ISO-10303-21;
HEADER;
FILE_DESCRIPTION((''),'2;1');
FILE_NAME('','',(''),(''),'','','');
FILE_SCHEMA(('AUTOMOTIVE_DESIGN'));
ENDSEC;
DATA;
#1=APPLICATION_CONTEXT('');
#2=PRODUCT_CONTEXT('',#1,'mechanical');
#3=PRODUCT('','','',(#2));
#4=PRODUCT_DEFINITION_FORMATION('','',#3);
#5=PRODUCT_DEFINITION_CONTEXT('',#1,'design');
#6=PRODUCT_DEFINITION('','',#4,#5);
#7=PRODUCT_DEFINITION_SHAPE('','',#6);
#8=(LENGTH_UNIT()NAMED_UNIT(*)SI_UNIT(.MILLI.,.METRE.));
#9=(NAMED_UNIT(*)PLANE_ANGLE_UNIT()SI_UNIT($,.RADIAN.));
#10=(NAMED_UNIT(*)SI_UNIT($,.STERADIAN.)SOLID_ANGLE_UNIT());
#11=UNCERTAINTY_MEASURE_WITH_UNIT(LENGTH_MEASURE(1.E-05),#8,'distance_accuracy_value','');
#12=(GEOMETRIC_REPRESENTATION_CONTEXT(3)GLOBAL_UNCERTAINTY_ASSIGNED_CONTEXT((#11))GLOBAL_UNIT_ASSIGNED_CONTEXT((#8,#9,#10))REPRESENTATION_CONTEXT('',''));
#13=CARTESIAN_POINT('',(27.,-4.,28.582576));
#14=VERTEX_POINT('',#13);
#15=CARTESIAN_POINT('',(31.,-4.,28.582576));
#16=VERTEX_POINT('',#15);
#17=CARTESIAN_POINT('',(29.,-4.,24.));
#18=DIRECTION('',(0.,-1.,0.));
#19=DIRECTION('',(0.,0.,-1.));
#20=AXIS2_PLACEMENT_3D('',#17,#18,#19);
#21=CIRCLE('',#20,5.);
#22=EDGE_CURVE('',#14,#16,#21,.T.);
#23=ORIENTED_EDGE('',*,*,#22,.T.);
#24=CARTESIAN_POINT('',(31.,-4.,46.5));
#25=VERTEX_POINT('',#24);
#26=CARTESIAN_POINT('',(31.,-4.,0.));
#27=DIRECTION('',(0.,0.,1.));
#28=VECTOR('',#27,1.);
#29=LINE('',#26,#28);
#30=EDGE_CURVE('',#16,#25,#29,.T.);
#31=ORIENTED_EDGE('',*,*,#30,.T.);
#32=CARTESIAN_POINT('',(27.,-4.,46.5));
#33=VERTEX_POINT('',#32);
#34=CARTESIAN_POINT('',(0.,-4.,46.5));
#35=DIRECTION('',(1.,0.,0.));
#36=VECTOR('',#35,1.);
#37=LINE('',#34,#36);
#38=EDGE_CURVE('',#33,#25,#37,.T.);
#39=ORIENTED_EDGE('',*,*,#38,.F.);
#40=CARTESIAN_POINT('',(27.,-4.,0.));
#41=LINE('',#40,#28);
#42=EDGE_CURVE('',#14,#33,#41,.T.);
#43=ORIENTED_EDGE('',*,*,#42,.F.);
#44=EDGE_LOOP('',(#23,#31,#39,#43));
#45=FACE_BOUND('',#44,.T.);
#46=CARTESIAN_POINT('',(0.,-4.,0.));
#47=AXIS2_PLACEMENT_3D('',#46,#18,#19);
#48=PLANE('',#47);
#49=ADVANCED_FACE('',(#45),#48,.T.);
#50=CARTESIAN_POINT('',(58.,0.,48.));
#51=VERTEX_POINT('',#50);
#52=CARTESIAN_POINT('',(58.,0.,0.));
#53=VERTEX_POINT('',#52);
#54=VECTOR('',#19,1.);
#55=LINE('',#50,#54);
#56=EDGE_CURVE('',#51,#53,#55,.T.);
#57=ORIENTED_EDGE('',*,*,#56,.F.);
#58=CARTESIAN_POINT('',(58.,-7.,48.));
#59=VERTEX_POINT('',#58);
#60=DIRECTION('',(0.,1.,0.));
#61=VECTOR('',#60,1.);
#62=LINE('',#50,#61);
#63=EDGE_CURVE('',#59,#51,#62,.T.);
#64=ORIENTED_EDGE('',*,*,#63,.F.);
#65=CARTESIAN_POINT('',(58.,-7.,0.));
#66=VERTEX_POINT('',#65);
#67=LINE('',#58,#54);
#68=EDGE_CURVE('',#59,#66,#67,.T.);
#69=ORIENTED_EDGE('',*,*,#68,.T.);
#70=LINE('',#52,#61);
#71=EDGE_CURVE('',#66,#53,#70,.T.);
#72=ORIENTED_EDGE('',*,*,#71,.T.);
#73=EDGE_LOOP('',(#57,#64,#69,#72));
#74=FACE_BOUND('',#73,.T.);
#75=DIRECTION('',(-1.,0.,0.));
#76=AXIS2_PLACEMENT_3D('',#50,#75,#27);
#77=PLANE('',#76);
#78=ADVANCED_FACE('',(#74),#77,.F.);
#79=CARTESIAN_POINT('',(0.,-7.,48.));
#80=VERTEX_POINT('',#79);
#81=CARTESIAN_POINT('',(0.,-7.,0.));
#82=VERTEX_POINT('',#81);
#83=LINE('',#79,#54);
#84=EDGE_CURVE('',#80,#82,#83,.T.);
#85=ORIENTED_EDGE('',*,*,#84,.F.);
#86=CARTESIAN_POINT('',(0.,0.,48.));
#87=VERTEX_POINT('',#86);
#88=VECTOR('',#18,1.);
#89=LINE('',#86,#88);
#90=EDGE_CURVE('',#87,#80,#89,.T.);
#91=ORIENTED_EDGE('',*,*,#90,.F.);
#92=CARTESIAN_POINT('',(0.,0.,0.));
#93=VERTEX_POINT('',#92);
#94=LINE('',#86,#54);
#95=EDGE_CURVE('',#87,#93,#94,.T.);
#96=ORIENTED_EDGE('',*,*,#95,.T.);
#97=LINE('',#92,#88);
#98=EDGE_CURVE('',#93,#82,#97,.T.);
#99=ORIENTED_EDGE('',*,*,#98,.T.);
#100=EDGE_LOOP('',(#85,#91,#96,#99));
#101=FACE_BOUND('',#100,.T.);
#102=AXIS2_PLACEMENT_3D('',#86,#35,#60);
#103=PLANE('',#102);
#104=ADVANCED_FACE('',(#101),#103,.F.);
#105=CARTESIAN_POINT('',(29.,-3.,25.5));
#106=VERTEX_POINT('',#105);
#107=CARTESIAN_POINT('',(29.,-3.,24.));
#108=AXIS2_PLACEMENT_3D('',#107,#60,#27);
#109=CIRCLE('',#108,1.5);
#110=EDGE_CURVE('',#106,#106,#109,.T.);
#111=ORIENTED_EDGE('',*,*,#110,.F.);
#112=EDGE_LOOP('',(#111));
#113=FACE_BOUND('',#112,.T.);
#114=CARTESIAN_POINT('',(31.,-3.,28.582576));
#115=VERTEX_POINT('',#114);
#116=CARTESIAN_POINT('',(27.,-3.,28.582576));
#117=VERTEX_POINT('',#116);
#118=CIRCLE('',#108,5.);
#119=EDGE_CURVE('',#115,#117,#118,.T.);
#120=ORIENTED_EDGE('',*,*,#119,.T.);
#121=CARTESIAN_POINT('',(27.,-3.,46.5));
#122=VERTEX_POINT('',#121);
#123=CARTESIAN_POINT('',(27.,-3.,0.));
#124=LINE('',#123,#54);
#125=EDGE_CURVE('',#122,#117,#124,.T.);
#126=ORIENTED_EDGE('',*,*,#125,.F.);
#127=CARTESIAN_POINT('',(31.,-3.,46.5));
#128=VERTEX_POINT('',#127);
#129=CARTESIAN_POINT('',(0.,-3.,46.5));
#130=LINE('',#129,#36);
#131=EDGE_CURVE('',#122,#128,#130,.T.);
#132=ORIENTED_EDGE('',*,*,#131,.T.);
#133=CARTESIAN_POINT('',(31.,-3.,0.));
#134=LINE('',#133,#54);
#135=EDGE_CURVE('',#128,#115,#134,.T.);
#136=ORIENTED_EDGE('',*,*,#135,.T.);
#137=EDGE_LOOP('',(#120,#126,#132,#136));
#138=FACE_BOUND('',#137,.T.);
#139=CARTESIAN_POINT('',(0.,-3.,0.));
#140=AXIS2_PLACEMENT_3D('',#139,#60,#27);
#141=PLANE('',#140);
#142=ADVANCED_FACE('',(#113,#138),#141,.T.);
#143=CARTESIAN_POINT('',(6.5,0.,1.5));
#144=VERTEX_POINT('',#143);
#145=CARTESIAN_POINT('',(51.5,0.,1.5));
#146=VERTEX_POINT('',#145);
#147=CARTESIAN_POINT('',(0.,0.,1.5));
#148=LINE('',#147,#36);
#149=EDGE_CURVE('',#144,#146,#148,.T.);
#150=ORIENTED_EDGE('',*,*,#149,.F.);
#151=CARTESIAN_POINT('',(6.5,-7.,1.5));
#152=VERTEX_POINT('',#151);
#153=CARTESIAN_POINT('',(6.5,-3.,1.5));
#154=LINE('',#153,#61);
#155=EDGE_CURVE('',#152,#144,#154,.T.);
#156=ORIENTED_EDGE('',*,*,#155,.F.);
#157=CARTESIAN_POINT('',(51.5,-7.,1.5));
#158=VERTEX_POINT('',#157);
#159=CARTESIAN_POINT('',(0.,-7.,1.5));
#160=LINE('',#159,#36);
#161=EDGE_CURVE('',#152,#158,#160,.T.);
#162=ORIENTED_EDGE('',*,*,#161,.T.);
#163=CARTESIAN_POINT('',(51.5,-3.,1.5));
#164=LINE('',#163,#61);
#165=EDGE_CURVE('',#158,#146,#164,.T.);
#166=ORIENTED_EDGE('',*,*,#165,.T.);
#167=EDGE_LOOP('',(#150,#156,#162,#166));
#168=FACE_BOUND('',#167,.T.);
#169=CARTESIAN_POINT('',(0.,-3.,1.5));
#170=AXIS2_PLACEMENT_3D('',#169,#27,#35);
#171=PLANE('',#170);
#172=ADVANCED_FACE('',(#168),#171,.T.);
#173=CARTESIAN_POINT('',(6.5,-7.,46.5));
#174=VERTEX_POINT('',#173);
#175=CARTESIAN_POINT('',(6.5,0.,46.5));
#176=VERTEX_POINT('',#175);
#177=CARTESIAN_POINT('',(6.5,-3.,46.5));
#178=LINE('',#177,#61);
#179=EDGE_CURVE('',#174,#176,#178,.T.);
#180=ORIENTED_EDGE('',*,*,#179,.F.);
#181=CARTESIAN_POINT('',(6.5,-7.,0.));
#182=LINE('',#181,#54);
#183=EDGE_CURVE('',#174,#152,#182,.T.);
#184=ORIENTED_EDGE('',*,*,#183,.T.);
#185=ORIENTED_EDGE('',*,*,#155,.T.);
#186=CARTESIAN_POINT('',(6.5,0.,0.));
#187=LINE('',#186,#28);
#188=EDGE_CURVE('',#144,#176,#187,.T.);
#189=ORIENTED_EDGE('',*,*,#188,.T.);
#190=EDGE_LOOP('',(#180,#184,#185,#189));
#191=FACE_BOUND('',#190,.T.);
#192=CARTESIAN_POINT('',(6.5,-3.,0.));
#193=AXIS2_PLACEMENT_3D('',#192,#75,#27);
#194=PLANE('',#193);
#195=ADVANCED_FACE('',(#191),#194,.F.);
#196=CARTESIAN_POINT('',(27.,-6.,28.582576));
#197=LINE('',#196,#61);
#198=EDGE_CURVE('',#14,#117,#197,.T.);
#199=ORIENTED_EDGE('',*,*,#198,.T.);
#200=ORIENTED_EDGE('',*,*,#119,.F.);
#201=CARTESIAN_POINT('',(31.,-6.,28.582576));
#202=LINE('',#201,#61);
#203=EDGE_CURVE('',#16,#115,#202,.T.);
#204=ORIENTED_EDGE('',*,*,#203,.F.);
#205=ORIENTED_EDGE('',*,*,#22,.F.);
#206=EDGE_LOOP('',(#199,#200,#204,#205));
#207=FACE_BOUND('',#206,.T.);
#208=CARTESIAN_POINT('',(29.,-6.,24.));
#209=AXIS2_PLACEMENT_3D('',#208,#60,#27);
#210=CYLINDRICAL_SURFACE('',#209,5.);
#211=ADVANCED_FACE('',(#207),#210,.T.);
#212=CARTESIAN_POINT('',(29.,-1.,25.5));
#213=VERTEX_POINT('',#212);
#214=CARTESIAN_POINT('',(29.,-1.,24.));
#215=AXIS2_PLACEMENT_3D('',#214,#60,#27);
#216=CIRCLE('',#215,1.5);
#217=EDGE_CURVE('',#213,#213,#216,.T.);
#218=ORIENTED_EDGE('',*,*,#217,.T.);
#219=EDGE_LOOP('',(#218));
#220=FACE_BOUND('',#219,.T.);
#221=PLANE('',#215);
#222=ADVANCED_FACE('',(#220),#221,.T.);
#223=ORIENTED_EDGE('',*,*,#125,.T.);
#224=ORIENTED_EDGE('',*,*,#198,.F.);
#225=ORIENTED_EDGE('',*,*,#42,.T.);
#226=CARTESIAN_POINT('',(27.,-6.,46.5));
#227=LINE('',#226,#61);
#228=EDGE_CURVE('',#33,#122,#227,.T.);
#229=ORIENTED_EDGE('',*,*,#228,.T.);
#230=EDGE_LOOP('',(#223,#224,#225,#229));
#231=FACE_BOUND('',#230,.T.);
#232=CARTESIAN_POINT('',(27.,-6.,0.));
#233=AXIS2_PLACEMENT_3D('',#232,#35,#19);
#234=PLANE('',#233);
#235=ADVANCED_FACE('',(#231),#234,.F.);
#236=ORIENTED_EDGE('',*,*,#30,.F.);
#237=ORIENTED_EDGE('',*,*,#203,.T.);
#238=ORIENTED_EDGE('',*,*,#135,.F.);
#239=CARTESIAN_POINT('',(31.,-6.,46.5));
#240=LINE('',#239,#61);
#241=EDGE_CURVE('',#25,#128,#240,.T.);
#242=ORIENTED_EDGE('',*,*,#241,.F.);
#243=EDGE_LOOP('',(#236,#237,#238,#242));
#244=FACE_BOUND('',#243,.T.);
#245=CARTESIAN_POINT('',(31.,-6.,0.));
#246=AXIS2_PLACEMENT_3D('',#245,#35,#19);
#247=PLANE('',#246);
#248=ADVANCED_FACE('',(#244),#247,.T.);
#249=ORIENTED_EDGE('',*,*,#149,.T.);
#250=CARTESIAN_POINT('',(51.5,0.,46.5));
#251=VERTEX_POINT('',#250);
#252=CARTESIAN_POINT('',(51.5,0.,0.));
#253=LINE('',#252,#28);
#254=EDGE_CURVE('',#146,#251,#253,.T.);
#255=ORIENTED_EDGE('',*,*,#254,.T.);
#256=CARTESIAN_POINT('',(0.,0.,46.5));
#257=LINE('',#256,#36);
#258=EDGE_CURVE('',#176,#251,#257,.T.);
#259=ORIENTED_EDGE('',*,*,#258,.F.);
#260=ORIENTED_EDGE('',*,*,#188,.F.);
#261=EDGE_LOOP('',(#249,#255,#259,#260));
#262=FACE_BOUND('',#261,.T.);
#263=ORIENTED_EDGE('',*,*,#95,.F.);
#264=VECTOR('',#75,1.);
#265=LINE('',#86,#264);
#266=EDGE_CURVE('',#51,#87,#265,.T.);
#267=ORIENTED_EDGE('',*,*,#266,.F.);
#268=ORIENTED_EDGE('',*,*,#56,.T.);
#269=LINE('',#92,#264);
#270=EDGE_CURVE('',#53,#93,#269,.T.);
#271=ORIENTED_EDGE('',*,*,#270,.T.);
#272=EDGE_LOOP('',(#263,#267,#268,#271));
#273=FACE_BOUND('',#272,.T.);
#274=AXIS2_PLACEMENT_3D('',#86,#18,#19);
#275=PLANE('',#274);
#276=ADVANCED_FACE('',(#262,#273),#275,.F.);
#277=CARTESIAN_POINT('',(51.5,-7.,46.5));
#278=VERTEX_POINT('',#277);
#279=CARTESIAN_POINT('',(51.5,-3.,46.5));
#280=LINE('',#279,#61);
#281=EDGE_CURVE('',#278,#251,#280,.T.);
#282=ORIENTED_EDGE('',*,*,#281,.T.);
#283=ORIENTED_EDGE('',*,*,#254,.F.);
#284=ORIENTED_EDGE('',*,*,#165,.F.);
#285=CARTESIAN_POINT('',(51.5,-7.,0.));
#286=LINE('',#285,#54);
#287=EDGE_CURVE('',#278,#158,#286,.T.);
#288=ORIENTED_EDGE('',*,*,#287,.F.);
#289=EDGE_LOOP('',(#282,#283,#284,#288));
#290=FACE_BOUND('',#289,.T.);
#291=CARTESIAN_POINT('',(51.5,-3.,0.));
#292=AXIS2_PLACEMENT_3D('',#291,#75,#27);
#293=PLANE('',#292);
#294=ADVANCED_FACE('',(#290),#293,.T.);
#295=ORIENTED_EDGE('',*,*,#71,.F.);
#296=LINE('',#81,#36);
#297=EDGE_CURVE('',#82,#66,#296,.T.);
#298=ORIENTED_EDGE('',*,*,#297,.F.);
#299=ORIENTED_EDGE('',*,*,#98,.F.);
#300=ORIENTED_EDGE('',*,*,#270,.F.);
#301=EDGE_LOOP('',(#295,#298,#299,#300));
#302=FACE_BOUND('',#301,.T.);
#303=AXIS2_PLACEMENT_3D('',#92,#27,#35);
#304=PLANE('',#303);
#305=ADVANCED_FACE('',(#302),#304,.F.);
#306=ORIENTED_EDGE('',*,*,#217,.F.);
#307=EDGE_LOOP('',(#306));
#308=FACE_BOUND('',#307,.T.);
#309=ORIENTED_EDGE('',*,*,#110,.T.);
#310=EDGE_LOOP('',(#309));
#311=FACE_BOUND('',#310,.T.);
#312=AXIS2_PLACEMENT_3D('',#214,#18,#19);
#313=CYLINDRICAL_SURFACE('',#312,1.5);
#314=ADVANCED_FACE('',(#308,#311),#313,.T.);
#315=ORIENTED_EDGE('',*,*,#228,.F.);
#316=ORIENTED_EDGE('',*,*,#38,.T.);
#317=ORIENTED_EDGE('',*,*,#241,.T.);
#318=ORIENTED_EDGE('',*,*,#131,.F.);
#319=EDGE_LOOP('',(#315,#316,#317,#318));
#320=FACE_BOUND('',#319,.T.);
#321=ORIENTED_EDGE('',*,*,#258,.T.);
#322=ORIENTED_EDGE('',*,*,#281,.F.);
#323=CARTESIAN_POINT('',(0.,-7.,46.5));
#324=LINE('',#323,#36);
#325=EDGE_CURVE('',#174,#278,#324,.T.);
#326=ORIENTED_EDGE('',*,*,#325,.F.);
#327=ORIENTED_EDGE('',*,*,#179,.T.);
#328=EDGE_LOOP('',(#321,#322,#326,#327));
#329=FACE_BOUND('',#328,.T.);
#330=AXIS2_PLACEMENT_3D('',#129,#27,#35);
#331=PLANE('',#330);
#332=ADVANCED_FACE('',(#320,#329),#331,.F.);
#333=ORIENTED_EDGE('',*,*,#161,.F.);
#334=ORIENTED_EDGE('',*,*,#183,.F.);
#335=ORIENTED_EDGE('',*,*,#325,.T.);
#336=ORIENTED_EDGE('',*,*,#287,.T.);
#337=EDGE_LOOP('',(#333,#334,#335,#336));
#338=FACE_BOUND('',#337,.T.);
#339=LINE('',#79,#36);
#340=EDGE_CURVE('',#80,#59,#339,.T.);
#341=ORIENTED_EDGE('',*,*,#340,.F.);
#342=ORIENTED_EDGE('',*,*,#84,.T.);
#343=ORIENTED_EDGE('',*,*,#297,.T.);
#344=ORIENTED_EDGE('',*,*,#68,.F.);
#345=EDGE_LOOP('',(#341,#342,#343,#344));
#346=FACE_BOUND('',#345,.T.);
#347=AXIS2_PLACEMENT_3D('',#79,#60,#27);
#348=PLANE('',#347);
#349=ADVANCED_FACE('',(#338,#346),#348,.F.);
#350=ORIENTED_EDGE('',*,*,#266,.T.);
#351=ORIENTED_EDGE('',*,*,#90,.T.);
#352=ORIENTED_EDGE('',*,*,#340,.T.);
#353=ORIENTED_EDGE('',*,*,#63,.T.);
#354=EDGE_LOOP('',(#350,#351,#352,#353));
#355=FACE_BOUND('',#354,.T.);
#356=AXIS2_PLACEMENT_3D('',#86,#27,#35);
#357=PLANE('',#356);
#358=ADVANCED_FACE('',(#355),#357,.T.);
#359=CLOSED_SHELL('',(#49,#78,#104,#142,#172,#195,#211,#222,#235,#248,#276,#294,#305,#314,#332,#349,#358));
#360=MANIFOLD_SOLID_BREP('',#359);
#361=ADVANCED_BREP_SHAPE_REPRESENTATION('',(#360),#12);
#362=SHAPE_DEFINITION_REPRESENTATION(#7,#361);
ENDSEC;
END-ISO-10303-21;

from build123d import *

# Parameters (mm, degrees)
SKETCH1_W           = 58
SKETCH1_H           = 7
BOSS_EXTRUDE1_DEPTH = 48
CUT_EXTRUDE1_DEPTH  = 3
CUT_EXTRUDE2_DEPTH  = 3
CUT_EXTRUDE3_DEPTH  = 3
SKETCH6_R           = 1.5
BOSS_EXTRUDE2_DEPTH = 2


with BuildPart() as part:
    # Sketch1 → Boss-Extrude1 (new body)
    with BuildSketch(Plane.XY):
        with Locations((29, -3.5)):
            Rectangle(SKETCH1_W, SKETCH1_H)
    extrude(amount=BOSS_EXTRUDE1_DEPTH)

    # Sketch2 → Cut-Extrude1 (cut)
    with BuildSketch(Plane(origin=(0, 0, 0), x_dir=(1, 0, 0), z_dir=(0, 1, 0))):
        Polygon((51.5, -42.620689655), (6.5, -5.379310345), (6.5, -46.5), (51.5, -46.5), align=None)
        Polygon((6.5, -1.5), (6.5, -5.379310345), (51.5, -42.620689655), (51.5, -1.5), align=None)
    extrude(amount=-CUT_EXTRUDE1_DEPTH, mode=Mode.SUBTRACT)

    # Sketch4 → Cut-Extrude2 (cut)
    with BuildSketch(Plane.XZ.offset(7)):
        Polygon((51.5, 5.379310345), (29, 24), (6.5, 5.379310345), (6.5, 1.5), (51.5, 1.5), align=None)
        Polygon((51.5, 42.620689655), (29, 24), (51.5, 5.379310345), align=None)
        Polygon((6.5, 46.5), (6.5, 42.620689655), (29, 24), (51.5, 42.620689655), (51.5, 46.5), align=None)
        Polygon((29, 24), (6.5, 42.620689655), (6.5, 5.379310345), align=None)
    extrude(amount=-CUT_EXTRUDE2_DEPTH, mode=Mode.SUBTRACT)

    # Sketch5 → Cut-Extrude3 (cut)
    with BuildSketch(Plane(origin=(0, -3, 0), x_dir=(1, 0, 0), z_dir=(0, 1, 0))):
        with BuildLine():
            Line((51.5, -1.5), (6.5, -1.5))
            Line((6.5, -1.5), (6.5, -46.5))
            Line((6.5, -46.5), (27, -46.5))
            Line((27, -46.5), (27, -28.582575695))
            ThreePointArc((27, -28.582575695), (29, -19), (31, -28.582575695))
            Line((31, -28.582575695), (31, -46.5))
            Line((31, -46.5), (51.5, -46.5))
            Line((51.5, -46.5), (51.5, -1.5))
        make_face()
    extrude(amount=-CUT_EXTRUDE3_DEPTH, mode=Mode.SUBTRACT)

    # Sketch6 → Boss-Extrude2 (add)
    with BuildSketch(Plane(origin=(0, -3, 0), x_dir=(1, 0, 0), z_dir=(0, 1, 0))):
        with Locations(Location((29, -24, 0), (0, 0, 270))):
            Circle(SKETCH6_R)
    extrude(amount=BOSS_EXTRUDE2_DEPTH)


solid = part.part
